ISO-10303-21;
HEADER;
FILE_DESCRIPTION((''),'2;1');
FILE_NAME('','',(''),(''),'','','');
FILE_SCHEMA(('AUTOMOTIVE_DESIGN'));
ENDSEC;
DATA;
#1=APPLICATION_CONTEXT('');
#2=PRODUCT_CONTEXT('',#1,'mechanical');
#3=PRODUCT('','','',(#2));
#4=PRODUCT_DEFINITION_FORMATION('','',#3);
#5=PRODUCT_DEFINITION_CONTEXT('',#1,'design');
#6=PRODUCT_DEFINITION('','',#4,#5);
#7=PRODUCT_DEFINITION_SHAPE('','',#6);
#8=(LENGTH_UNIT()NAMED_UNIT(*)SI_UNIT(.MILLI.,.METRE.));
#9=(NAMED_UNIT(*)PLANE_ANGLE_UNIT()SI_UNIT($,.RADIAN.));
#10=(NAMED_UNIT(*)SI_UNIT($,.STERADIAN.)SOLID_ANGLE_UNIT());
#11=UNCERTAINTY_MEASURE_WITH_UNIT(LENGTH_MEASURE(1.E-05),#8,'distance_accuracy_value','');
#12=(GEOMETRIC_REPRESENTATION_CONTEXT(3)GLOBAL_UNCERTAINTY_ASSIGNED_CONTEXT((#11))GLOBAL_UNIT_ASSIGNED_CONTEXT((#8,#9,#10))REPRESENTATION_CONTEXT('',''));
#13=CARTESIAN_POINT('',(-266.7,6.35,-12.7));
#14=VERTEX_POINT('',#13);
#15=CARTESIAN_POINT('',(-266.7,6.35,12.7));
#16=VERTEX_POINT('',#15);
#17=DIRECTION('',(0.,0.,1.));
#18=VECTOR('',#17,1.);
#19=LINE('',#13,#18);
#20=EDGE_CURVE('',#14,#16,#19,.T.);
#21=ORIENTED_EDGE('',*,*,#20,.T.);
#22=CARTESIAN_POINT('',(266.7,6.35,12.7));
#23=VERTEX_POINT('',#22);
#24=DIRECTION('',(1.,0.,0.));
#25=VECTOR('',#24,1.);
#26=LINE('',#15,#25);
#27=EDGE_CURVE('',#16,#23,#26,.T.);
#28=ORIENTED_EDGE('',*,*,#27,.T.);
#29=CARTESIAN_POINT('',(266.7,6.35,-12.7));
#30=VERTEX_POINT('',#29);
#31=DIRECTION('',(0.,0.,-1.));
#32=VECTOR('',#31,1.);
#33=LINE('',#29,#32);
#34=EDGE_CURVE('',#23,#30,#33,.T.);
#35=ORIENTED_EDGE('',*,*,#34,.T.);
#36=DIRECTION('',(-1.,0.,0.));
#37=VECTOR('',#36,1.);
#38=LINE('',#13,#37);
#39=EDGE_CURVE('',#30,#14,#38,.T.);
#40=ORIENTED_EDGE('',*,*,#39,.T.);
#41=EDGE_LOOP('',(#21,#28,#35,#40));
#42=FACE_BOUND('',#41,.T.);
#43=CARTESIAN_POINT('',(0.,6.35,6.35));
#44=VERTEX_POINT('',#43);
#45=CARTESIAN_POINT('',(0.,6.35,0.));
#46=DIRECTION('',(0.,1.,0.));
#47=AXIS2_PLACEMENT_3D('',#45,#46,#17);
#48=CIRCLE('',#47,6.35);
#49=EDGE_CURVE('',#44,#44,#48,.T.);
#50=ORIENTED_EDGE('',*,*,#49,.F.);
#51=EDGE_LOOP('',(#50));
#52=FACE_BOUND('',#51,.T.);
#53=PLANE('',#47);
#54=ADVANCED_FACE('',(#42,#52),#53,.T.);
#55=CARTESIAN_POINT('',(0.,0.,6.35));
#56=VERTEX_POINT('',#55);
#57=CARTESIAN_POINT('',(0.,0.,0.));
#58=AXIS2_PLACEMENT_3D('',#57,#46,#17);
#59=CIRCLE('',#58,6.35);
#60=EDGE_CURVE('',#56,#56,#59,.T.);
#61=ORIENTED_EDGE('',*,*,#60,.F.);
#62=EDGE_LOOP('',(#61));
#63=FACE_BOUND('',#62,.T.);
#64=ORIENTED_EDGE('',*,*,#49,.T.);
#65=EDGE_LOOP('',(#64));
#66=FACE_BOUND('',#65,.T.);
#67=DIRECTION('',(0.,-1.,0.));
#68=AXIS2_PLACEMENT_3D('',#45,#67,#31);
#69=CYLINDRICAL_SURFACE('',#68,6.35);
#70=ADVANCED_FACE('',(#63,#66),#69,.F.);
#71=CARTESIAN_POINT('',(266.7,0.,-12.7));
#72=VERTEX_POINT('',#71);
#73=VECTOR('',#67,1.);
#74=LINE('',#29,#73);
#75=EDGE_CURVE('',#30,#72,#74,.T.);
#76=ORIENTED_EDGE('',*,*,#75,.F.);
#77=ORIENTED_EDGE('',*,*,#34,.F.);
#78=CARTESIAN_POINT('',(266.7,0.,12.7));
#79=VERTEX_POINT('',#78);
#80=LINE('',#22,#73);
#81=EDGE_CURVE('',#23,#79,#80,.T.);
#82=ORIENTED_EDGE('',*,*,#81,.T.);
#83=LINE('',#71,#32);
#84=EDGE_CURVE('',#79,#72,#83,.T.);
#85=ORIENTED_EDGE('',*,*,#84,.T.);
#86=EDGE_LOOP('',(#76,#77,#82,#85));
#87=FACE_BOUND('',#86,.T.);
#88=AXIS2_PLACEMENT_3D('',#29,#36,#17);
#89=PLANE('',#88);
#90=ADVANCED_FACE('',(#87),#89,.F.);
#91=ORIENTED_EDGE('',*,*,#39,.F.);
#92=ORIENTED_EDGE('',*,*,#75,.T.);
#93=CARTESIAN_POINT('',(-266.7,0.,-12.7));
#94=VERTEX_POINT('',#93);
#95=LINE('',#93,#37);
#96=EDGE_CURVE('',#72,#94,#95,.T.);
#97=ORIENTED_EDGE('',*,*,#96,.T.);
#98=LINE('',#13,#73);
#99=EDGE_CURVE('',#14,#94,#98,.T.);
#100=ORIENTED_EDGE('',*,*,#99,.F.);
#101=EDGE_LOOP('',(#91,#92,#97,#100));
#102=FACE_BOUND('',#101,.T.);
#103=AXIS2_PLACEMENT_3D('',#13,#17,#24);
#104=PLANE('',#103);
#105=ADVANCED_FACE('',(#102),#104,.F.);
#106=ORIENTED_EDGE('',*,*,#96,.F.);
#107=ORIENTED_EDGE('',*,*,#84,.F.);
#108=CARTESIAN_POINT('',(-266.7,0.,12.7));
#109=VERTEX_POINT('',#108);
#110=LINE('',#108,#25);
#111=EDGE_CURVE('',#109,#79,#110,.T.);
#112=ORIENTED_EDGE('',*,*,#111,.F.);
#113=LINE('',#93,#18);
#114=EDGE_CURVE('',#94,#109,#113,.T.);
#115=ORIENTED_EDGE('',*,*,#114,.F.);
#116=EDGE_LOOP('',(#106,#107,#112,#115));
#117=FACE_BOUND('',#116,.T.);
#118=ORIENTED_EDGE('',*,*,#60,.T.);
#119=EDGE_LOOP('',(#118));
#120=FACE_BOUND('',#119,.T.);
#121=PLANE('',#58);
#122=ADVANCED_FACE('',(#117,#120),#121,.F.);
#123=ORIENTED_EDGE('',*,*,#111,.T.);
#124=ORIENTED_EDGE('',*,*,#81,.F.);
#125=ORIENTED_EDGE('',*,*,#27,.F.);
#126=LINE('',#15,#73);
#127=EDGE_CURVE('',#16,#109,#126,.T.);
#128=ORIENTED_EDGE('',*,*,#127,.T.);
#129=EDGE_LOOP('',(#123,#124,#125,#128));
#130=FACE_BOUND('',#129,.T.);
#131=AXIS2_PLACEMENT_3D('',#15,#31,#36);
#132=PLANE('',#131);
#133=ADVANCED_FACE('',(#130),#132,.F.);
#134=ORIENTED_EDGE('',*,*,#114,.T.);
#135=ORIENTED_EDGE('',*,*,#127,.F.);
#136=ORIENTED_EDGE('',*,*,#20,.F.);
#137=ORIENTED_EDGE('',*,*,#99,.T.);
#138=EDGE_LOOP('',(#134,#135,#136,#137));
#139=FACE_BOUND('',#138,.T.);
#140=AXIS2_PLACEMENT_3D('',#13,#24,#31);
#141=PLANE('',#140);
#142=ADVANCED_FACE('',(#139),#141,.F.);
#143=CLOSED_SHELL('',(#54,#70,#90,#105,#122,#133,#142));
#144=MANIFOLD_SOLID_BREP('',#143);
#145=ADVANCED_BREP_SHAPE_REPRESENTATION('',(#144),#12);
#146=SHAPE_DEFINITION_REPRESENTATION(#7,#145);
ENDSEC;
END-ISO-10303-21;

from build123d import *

# Parameters (mm, degrees)
SKETCH1_W           = 533.4
SKETCH1_H           = 25.4
SKETCH1_R           = 6.35
BOSS_EXTRUDE1_DEPTH = 6.35


with BuildPart() as part:
    # Sketch1 → Boss-Extrude1 (new body)
    with BuildSketch(Plane(origin=(0, 0, 0), x_dir=(1, 0, 0), z_dir=(0, 1, 0))):
        Rectangle(SKETCH1_W, SKETCH1_H)
        Circle(SKETCH1_R, mode=Mode.SUBTRACT)
    extrude(amount=BOSS_EXTRUDE1_DEPTH)


solid = part.part
